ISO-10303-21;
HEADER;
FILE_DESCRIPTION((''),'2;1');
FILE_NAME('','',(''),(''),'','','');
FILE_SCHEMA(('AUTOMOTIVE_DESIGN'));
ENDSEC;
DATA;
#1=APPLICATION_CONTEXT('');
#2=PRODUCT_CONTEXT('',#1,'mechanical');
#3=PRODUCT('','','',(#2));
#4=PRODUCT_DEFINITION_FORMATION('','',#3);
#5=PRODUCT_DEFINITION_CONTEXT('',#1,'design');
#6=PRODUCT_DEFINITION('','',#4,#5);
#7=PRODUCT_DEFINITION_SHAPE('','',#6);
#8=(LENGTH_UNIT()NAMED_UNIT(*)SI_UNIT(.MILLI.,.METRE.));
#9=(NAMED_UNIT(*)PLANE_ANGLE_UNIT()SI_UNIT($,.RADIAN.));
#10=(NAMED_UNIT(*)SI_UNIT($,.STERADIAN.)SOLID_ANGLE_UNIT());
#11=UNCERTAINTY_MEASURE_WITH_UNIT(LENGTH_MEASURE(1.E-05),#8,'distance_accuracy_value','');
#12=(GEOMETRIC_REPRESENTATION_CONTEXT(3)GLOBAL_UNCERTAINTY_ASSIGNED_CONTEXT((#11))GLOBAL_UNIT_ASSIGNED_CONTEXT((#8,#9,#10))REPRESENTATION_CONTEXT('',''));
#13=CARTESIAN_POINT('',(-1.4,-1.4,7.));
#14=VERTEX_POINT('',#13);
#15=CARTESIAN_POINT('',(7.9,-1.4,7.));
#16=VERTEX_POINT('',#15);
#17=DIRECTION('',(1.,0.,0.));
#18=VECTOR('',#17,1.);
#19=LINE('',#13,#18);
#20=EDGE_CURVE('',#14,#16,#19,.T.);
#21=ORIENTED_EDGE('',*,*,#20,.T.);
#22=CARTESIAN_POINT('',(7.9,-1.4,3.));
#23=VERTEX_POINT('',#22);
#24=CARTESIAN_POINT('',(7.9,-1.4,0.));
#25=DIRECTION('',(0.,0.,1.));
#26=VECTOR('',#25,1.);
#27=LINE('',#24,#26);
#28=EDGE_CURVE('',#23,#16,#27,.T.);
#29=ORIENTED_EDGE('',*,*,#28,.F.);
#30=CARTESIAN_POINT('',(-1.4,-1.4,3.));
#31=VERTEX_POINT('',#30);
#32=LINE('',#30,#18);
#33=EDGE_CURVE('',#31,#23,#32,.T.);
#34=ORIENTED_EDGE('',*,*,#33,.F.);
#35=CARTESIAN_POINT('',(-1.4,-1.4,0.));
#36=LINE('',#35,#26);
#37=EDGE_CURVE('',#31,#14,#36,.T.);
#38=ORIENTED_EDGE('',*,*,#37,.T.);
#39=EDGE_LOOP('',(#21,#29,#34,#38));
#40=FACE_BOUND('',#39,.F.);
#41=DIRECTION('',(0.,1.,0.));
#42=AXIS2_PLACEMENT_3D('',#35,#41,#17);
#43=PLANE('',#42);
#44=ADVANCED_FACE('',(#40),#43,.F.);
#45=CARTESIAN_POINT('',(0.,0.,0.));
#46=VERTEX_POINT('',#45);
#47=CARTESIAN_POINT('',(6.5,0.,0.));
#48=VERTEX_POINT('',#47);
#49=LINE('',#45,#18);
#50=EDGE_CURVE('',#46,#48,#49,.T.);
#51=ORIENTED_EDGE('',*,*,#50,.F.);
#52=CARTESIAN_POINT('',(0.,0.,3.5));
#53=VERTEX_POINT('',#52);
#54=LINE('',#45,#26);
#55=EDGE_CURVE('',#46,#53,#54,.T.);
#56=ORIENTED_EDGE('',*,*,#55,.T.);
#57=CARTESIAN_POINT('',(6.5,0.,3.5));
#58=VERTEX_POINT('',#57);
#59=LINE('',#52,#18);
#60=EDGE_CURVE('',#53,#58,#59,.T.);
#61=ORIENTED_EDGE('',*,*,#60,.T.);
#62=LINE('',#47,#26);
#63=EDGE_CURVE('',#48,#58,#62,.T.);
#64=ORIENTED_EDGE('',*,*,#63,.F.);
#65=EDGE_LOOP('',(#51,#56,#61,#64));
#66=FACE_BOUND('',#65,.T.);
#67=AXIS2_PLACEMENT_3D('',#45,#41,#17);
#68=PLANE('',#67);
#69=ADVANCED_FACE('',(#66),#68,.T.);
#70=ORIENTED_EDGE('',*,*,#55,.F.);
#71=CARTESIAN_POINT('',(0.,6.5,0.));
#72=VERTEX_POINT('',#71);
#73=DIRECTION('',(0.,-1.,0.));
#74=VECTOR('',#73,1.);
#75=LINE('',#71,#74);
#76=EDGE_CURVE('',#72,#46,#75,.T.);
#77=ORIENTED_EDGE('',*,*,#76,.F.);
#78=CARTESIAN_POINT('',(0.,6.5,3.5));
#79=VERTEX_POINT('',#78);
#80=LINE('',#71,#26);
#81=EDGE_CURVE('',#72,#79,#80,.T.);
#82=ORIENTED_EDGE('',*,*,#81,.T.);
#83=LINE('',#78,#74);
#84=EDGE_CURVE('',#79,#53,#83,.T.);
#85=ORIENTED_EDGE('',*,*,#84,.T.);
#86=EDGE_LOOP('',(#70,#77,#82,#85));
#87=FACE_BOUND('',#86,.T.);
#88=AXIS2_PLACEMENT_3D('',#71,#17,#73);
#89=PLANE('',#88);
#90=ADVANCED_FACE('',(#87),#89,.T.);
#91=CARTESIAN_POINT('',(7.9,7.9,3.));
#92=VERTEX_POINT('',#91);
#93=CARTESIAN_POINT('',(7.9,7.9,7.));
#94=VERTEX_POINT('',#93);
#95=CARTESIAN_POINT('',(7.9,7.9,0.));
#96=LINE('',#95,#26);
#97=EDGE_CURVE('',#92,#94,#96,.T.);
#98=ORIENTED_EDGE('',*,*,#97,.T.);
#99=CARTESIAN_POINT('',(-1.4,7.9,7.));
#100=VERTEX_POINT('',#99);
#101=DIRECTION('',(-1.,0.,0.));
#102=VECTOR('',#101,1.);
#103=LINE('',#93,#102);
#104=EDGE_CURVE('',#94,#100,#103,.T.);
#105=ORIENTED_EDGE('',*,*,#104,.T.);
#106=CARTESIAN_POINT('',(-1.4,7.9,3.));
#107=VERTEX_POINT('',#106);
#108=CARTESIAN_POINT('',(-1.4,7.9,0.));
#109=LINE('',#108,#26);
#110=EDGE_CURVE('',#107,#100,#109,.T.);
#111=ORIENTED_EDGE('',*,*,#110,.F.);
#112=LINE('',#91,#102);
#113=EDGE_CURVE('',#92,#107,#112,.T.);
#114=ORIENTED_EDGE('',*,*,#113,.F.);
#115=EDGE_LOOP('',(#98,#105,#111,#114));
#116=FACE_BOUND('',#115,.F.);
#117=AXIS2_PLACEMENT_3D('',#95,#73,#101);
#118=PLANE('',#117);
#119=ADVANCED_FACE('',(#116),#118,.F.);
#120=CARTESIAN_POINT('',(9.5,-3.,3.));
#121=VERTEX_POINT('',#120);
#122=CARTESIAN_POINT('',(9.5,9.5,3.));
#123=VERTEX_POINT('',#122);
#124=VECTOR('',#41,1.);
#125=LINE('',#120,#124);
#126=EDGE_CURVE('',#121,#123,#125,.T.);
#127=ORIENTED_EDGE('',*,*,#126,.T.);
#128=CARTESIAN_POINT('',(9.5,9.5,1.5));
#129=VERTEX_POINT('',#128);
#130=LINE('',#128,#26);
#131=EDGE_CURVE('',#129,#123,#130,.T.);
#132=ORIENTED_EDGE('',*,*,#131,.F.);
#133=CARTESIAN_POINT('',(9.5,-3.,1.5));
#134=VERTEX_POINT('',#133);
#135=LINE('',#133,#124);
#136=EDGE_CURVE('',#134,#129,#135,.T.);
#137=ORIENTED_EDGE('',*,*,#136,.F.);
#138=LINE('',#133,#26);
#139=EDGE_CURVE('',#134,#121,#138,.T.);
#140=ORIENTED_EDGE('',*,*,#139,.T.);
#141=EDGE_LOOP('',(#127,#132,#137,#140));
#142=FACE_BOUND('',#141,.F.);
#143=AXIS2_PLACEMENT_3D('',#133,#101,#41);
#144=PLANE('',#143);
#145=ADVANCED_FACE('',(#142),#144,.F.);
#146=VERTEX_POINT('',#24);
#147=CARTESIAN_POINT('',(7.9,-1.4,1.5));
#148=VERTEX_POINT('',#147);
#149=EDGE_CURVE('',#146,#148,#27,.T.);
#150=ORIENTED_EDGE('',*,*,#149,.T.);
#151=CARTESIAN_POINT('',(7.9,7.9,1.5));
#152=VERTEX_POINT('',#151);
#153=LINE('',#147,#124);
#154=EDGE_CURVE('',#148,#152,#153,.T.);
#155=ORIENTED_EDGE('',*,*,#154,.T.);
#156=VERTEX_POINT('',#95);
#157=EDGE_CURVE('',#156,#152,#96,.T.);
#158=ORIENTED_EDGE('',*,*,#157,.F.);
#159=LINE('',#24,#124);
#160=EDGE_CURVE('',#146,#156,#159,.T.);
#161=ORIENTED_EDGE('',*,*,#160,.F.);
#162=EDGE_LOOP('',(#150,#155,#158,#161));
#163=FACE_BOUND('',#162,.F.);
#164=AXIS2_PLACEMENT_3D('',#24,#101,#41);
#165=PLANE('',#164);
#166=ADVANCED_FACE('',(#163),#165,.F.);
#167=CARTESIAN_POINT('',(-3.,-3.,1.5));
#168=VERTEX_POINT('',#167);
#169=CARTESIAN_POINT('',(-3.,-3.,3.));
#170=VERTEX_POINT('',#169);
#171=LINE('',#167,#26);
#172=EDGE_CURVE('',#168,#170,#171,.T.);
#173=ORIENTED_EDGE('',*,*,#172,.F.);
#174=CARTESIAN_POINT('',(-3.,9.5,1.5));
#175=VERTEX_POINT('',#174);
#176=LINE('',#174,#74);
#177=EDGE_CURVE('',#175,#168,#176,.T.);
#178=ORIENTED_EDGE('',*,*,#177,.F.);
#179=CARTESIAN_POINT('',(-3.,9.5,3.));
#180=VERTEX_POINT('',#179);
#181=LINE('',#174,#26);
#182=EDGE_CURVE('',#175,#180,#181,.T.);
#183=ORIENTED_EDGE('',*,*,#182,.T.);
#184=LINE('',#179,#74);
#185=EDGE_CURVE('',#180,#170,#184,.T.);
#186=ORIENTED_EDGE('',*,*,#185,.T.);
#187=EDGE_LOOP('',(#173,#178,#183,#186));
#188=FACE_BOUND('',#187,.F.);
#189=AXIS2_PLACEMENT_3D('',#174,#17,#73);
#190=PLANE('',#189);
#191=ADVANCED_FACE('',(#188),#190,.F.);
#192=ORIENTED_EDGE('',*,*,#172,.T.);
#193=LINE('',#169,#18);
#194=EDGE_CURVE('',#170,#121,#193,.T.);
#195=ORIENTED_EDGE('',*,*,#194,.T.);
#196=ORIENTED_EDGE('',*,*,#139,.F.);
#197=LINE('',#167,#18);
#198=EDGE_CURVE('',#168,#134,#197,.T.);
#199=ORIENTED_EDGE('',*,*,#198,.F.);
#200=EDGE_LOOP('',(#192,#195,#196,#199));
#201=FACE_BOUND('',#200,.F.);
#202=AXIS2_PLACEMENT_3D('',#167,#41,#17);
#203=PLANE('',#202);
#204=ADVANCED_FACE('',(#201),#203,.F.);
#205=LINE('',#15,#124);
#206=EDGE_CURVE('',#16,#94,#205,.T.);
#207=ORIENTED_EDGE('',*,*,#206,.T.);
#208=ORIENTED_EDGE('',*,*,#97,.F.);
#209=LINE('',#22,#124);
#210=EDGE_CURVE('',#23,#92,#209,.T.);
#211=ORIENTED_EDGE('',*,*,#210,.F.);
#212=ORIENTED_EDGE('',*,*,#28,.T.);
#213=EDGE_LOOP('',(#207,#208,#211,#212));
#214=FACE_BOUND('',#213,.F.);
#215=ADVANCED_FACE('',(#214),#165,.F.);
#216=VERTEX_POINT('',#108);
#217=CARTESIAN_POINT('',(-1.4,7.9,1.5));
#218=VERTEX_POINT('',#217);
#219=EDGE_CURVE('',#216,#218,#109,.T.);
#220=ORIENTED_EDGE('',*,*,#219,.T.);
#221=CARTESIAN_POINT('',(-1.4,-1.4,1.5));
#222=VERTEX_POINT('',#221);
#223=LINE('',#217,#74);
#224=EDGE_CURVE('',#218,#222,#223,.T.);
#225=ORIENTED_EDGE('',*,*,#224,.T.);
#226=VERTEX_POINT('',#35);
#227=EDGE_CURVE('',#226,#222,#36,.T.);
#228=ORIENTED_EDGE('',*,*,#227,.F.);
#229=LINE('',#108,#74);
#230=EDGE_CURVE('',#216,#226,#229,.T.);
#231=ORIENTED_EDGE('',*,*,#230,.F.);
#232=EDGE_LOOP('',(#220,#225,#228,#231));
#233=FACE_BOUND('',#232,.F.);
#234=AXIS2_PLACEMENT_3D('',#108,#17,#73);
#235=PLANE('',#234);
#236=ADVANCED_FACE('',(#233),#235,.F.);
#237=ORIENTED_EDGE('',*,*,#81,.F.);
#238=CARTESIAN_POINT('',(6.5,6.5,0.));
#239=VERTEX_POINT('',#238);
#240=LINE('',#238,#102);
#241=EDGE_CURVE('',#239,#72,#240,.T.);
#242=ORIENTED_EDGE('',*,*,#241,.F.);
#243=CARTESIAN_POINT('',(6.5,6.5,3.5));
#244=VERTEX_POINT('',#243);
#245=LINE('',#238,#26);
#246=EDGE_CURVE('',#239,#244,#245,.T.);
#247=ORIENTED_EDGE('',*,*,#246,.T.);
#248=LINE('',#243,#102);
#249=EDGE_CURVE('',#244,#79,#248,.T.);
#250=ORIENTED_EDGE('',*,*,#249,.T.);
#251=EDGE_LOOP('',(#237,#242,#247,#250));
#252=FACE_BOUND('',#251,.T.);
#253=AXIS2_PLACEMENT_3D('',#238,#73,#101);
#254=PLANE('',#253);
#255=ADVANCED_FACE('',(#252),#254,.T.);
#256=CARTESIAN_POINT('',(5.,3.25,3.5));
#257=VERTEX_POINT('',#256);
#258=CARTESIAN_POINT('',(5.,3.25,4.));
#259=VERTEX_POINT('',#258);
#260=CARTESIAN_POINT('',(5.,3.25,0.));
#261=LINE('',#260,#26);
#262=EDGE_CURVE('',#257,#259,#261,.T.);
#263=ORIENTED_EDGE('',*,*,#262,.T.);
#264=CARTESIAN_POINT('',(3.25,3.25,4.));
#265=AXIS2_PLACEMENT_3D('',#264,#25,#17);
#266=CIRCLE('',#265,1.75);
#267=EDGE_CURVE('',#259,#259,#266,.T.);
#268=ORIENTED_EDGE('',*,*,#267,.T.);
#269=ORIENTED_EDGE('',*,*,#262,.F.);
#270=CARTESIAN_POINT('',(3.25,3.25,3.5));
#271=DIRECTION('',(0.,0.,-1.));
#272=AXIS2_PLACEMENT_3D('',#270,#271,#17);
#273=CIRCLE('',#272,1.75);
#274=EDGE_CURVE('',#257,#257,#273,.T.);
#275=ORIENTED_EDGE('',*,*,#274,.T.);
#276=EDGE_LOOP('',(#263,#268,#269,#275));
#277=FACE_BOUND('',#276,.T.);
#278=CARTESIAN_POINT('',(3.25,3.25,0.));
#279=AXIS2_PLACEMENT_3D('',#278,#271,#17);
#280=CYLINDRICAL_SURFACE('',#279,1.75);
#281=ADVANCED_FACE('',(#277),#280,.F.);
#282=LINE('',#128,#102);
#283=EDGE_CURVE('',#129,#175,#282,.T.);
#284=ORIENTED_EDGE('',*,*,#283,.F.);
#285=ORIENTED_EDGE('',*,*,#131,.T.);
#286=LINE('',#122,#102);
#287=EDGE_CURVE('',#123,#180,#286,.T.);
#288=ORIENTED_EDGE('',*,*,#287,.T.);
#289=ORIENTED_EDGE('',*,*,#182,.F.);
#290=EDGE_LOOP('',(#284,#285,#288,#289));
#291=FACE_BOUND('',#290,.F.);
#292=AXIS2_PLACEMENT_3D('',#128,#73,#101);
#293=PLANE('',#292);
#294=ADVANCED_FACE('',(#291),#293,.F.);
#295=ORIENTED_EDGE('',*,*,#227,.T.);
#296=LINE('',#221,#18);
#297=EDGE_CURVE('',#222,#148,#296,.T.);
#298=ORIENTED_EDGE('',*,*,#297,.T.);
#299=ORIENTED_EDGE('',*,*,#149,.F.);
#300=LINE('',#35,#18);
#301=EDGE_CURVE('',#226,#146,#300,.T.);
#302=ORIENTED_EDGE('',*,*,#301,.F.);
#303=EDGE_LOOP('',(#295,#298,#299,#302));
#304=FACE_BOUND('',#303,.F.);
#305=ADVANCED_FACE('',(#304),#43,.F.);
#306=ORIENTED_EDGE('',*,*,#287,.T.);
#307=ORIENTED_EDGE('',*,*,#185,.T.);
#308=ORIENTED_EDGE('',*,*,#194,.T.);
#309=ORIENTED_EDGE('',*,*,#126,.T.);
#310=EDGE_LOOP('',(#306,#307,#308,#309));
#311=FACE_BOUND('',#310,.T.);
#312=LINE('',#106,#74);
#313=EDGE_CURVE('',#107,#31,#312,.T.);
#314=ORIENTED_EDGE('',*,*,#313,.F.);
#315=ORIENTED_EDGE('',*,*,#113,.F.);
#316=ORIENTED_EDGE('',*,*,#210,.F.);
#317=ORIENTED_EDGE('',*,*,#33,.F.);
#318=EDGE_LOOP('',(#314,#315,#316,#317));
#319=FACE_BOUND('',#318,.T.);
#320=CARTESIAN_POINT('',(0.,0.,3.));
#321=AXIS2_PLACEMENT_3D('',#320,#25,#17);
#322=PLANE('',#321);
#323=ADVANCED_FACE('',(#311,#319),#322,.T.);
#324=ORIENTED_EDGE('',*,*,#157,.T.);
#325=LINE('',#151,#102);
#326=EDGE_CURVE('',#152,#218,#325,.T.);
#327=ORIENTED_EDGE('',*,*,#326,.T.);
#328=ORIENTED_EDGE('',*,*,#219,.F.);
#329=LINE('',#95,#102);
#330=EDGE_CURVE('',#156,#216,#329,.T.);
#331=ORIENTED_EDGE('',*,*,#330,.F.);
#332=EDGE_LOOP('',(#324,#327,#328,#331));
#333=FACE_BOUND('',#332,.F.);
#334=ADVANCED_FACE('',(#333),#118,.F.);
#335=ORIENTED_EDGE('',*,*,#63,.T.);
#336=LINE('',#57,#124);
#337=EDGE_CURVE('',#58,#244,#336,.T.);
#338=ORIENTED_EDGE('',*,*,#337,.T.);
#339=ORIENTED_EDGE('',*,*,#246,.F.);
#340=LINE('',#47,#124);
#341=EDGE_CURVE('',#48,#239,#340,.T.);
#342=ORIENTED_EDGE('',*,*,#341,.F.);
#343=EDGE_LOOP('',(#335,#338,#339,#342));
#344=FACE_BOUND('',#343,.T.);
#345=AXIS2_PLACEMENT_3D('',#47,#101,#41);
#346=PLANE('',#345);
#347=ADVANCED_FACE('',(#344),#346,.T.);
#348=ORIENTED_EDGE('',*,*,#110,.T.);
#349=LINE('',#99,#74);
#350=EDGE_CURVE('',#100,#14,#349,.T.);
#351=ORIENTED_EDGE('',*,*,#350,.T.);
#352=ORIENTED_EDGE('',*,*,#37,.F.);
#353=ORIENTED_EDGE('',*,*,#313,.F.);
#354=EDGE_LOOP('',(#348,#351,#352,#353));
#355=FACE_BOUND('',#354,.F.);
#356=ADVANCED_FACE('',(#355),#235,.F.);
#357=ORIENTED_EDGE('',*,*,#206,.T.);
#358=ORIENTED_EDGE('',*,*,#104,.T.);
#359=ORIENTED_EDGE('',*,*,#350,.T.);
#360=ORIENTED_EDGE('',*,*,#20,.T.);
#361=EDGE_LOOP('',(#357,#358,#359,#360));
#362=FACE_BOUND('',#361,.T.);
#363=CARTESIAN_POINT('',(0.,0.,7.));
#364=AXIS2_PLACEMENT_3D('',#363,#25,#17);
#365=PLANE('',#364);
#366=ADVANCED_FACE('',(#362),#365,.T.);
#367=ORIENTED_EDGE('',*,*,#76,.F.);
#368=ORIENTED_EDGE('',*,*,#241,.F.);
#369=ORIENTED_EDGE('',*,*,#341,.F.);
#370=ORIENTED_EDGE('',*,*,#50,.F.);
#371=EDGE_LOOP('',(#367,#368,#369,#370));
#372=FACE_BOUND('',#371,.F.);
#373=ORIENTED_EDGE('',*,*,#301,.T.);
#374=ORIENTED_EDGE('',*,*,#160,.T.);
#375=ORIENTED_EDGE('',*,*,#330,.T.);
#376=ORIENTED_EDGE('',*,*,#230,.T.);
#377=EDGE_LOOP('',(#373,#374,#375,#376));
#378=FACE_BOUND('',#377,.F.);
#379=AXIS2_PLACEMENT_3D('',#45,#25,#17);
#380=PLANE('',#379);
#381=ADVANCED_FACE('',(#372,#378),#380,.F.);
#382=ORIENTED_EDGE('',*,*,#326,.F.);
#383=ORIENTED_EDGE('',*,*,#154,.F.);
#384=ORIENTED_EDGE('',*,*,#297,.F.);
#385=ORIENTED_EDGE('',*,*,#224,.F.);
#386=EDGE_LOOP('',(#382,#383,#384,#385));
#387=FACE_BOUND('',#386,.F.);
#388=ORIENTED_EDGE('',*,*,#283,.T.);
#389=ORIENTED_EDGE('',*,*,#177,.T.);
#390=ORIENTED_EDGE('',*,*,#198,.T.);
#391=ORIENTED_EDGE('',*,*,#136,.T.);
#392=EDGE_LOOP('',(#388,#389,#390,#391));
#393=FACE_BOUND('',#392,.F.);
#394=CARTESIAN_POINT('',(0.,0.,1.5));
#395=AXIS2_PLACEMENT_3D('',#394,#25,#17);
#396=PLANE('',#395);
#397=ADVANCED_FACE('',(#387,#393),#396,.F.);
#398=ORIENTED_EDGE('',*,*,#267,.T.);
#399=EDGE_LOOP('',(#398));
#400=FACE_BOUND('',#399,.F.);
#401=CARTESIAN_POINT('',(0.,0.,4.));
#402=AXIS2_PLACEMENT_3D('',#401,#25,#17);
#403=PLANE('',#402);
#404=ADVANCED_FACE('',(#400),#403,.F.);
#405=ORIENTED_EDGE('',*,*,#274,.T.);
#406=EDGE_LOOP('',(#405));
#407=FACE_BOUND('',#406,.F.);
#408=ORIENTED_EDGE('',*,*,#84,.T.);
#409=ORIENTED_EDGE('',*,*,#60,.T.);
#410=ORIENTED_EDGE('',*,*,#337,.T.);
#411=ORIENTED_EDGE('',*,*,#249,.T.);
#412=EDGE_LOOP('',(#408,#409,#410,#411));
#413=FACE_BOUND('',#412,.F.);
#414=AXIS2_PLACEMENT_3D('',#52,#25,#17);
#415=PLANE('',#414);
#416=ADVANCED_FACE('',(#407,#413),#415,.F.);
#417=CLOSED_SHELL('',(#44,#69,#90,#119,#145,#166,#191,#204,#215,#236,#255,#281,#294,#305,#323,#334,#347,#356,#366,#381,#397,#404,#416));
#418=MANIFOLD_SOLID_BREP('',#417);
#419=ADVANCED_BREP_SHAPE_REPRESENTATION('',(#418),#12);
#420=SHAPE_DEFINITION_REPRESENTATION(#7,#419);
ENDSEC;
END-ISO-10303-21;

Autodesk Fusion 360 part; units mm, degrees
sketch "Sketch1" plane through (0, 0, 0) normal (0, 0, 1) x (1, 0, 0)
  line L0 (0, 0) -> (6.5, 0)
  line L1 (6.5, 0) -> (6.5, 6.5)
  line L2 (6.5, 6.5) -> (0, 6.5)
  line L3 (0, 6.5) -> (0, 0)
  line L4 (0, 3.25) -> (6.5, 3.25) construction
  line L5 (3.25, 6.5) -> (3.25, 0) construction
  circle A0 centre (3.25, 3.25) radius 1.75
  line L6 (-1.4, 7.9) -> (-1.4, -1.4)
  line L7 (-1.4, -1.4) -> (7.9, -1.4)
  line L8 (7.9, -1.4) -> (7.9, 7.9)
  line L9 (7.9, 7.9) -> (-1.4, 7.9)
  line L10 (-3, 9.5) -> (-3, -3)
  line L11 (-3, -3) -> (9.5, -3)
  line L12 (9.5, -3) -> (9.5, 9.5)
  line L13 (9.5, 9.5) -> (-3, 9.5)
  dimension "d1" = 6.5
  dimension "d2" = 6.5
  dimension "d3" = 3.5
  dimension "d4" = 1.4
  dimension "d5" = 3
extrude "Extrude1" add sketch "Sketch1" along normal blind 7 contours L6 L7 L8 L9
extrude "Extrude2" add sketch "Sketch1" along normal blind 1.5 from surface at 1.5 contours L10 L11 L12 L13
extrude "Extrude3" add sketch "Sketch1" along normal blind 3.5 from surface at 3.5 contours L0 L1 L2 L3 | A0
extrude "Extrude4" cut sketch "Sketch1" along normal blind 4 contours A0
